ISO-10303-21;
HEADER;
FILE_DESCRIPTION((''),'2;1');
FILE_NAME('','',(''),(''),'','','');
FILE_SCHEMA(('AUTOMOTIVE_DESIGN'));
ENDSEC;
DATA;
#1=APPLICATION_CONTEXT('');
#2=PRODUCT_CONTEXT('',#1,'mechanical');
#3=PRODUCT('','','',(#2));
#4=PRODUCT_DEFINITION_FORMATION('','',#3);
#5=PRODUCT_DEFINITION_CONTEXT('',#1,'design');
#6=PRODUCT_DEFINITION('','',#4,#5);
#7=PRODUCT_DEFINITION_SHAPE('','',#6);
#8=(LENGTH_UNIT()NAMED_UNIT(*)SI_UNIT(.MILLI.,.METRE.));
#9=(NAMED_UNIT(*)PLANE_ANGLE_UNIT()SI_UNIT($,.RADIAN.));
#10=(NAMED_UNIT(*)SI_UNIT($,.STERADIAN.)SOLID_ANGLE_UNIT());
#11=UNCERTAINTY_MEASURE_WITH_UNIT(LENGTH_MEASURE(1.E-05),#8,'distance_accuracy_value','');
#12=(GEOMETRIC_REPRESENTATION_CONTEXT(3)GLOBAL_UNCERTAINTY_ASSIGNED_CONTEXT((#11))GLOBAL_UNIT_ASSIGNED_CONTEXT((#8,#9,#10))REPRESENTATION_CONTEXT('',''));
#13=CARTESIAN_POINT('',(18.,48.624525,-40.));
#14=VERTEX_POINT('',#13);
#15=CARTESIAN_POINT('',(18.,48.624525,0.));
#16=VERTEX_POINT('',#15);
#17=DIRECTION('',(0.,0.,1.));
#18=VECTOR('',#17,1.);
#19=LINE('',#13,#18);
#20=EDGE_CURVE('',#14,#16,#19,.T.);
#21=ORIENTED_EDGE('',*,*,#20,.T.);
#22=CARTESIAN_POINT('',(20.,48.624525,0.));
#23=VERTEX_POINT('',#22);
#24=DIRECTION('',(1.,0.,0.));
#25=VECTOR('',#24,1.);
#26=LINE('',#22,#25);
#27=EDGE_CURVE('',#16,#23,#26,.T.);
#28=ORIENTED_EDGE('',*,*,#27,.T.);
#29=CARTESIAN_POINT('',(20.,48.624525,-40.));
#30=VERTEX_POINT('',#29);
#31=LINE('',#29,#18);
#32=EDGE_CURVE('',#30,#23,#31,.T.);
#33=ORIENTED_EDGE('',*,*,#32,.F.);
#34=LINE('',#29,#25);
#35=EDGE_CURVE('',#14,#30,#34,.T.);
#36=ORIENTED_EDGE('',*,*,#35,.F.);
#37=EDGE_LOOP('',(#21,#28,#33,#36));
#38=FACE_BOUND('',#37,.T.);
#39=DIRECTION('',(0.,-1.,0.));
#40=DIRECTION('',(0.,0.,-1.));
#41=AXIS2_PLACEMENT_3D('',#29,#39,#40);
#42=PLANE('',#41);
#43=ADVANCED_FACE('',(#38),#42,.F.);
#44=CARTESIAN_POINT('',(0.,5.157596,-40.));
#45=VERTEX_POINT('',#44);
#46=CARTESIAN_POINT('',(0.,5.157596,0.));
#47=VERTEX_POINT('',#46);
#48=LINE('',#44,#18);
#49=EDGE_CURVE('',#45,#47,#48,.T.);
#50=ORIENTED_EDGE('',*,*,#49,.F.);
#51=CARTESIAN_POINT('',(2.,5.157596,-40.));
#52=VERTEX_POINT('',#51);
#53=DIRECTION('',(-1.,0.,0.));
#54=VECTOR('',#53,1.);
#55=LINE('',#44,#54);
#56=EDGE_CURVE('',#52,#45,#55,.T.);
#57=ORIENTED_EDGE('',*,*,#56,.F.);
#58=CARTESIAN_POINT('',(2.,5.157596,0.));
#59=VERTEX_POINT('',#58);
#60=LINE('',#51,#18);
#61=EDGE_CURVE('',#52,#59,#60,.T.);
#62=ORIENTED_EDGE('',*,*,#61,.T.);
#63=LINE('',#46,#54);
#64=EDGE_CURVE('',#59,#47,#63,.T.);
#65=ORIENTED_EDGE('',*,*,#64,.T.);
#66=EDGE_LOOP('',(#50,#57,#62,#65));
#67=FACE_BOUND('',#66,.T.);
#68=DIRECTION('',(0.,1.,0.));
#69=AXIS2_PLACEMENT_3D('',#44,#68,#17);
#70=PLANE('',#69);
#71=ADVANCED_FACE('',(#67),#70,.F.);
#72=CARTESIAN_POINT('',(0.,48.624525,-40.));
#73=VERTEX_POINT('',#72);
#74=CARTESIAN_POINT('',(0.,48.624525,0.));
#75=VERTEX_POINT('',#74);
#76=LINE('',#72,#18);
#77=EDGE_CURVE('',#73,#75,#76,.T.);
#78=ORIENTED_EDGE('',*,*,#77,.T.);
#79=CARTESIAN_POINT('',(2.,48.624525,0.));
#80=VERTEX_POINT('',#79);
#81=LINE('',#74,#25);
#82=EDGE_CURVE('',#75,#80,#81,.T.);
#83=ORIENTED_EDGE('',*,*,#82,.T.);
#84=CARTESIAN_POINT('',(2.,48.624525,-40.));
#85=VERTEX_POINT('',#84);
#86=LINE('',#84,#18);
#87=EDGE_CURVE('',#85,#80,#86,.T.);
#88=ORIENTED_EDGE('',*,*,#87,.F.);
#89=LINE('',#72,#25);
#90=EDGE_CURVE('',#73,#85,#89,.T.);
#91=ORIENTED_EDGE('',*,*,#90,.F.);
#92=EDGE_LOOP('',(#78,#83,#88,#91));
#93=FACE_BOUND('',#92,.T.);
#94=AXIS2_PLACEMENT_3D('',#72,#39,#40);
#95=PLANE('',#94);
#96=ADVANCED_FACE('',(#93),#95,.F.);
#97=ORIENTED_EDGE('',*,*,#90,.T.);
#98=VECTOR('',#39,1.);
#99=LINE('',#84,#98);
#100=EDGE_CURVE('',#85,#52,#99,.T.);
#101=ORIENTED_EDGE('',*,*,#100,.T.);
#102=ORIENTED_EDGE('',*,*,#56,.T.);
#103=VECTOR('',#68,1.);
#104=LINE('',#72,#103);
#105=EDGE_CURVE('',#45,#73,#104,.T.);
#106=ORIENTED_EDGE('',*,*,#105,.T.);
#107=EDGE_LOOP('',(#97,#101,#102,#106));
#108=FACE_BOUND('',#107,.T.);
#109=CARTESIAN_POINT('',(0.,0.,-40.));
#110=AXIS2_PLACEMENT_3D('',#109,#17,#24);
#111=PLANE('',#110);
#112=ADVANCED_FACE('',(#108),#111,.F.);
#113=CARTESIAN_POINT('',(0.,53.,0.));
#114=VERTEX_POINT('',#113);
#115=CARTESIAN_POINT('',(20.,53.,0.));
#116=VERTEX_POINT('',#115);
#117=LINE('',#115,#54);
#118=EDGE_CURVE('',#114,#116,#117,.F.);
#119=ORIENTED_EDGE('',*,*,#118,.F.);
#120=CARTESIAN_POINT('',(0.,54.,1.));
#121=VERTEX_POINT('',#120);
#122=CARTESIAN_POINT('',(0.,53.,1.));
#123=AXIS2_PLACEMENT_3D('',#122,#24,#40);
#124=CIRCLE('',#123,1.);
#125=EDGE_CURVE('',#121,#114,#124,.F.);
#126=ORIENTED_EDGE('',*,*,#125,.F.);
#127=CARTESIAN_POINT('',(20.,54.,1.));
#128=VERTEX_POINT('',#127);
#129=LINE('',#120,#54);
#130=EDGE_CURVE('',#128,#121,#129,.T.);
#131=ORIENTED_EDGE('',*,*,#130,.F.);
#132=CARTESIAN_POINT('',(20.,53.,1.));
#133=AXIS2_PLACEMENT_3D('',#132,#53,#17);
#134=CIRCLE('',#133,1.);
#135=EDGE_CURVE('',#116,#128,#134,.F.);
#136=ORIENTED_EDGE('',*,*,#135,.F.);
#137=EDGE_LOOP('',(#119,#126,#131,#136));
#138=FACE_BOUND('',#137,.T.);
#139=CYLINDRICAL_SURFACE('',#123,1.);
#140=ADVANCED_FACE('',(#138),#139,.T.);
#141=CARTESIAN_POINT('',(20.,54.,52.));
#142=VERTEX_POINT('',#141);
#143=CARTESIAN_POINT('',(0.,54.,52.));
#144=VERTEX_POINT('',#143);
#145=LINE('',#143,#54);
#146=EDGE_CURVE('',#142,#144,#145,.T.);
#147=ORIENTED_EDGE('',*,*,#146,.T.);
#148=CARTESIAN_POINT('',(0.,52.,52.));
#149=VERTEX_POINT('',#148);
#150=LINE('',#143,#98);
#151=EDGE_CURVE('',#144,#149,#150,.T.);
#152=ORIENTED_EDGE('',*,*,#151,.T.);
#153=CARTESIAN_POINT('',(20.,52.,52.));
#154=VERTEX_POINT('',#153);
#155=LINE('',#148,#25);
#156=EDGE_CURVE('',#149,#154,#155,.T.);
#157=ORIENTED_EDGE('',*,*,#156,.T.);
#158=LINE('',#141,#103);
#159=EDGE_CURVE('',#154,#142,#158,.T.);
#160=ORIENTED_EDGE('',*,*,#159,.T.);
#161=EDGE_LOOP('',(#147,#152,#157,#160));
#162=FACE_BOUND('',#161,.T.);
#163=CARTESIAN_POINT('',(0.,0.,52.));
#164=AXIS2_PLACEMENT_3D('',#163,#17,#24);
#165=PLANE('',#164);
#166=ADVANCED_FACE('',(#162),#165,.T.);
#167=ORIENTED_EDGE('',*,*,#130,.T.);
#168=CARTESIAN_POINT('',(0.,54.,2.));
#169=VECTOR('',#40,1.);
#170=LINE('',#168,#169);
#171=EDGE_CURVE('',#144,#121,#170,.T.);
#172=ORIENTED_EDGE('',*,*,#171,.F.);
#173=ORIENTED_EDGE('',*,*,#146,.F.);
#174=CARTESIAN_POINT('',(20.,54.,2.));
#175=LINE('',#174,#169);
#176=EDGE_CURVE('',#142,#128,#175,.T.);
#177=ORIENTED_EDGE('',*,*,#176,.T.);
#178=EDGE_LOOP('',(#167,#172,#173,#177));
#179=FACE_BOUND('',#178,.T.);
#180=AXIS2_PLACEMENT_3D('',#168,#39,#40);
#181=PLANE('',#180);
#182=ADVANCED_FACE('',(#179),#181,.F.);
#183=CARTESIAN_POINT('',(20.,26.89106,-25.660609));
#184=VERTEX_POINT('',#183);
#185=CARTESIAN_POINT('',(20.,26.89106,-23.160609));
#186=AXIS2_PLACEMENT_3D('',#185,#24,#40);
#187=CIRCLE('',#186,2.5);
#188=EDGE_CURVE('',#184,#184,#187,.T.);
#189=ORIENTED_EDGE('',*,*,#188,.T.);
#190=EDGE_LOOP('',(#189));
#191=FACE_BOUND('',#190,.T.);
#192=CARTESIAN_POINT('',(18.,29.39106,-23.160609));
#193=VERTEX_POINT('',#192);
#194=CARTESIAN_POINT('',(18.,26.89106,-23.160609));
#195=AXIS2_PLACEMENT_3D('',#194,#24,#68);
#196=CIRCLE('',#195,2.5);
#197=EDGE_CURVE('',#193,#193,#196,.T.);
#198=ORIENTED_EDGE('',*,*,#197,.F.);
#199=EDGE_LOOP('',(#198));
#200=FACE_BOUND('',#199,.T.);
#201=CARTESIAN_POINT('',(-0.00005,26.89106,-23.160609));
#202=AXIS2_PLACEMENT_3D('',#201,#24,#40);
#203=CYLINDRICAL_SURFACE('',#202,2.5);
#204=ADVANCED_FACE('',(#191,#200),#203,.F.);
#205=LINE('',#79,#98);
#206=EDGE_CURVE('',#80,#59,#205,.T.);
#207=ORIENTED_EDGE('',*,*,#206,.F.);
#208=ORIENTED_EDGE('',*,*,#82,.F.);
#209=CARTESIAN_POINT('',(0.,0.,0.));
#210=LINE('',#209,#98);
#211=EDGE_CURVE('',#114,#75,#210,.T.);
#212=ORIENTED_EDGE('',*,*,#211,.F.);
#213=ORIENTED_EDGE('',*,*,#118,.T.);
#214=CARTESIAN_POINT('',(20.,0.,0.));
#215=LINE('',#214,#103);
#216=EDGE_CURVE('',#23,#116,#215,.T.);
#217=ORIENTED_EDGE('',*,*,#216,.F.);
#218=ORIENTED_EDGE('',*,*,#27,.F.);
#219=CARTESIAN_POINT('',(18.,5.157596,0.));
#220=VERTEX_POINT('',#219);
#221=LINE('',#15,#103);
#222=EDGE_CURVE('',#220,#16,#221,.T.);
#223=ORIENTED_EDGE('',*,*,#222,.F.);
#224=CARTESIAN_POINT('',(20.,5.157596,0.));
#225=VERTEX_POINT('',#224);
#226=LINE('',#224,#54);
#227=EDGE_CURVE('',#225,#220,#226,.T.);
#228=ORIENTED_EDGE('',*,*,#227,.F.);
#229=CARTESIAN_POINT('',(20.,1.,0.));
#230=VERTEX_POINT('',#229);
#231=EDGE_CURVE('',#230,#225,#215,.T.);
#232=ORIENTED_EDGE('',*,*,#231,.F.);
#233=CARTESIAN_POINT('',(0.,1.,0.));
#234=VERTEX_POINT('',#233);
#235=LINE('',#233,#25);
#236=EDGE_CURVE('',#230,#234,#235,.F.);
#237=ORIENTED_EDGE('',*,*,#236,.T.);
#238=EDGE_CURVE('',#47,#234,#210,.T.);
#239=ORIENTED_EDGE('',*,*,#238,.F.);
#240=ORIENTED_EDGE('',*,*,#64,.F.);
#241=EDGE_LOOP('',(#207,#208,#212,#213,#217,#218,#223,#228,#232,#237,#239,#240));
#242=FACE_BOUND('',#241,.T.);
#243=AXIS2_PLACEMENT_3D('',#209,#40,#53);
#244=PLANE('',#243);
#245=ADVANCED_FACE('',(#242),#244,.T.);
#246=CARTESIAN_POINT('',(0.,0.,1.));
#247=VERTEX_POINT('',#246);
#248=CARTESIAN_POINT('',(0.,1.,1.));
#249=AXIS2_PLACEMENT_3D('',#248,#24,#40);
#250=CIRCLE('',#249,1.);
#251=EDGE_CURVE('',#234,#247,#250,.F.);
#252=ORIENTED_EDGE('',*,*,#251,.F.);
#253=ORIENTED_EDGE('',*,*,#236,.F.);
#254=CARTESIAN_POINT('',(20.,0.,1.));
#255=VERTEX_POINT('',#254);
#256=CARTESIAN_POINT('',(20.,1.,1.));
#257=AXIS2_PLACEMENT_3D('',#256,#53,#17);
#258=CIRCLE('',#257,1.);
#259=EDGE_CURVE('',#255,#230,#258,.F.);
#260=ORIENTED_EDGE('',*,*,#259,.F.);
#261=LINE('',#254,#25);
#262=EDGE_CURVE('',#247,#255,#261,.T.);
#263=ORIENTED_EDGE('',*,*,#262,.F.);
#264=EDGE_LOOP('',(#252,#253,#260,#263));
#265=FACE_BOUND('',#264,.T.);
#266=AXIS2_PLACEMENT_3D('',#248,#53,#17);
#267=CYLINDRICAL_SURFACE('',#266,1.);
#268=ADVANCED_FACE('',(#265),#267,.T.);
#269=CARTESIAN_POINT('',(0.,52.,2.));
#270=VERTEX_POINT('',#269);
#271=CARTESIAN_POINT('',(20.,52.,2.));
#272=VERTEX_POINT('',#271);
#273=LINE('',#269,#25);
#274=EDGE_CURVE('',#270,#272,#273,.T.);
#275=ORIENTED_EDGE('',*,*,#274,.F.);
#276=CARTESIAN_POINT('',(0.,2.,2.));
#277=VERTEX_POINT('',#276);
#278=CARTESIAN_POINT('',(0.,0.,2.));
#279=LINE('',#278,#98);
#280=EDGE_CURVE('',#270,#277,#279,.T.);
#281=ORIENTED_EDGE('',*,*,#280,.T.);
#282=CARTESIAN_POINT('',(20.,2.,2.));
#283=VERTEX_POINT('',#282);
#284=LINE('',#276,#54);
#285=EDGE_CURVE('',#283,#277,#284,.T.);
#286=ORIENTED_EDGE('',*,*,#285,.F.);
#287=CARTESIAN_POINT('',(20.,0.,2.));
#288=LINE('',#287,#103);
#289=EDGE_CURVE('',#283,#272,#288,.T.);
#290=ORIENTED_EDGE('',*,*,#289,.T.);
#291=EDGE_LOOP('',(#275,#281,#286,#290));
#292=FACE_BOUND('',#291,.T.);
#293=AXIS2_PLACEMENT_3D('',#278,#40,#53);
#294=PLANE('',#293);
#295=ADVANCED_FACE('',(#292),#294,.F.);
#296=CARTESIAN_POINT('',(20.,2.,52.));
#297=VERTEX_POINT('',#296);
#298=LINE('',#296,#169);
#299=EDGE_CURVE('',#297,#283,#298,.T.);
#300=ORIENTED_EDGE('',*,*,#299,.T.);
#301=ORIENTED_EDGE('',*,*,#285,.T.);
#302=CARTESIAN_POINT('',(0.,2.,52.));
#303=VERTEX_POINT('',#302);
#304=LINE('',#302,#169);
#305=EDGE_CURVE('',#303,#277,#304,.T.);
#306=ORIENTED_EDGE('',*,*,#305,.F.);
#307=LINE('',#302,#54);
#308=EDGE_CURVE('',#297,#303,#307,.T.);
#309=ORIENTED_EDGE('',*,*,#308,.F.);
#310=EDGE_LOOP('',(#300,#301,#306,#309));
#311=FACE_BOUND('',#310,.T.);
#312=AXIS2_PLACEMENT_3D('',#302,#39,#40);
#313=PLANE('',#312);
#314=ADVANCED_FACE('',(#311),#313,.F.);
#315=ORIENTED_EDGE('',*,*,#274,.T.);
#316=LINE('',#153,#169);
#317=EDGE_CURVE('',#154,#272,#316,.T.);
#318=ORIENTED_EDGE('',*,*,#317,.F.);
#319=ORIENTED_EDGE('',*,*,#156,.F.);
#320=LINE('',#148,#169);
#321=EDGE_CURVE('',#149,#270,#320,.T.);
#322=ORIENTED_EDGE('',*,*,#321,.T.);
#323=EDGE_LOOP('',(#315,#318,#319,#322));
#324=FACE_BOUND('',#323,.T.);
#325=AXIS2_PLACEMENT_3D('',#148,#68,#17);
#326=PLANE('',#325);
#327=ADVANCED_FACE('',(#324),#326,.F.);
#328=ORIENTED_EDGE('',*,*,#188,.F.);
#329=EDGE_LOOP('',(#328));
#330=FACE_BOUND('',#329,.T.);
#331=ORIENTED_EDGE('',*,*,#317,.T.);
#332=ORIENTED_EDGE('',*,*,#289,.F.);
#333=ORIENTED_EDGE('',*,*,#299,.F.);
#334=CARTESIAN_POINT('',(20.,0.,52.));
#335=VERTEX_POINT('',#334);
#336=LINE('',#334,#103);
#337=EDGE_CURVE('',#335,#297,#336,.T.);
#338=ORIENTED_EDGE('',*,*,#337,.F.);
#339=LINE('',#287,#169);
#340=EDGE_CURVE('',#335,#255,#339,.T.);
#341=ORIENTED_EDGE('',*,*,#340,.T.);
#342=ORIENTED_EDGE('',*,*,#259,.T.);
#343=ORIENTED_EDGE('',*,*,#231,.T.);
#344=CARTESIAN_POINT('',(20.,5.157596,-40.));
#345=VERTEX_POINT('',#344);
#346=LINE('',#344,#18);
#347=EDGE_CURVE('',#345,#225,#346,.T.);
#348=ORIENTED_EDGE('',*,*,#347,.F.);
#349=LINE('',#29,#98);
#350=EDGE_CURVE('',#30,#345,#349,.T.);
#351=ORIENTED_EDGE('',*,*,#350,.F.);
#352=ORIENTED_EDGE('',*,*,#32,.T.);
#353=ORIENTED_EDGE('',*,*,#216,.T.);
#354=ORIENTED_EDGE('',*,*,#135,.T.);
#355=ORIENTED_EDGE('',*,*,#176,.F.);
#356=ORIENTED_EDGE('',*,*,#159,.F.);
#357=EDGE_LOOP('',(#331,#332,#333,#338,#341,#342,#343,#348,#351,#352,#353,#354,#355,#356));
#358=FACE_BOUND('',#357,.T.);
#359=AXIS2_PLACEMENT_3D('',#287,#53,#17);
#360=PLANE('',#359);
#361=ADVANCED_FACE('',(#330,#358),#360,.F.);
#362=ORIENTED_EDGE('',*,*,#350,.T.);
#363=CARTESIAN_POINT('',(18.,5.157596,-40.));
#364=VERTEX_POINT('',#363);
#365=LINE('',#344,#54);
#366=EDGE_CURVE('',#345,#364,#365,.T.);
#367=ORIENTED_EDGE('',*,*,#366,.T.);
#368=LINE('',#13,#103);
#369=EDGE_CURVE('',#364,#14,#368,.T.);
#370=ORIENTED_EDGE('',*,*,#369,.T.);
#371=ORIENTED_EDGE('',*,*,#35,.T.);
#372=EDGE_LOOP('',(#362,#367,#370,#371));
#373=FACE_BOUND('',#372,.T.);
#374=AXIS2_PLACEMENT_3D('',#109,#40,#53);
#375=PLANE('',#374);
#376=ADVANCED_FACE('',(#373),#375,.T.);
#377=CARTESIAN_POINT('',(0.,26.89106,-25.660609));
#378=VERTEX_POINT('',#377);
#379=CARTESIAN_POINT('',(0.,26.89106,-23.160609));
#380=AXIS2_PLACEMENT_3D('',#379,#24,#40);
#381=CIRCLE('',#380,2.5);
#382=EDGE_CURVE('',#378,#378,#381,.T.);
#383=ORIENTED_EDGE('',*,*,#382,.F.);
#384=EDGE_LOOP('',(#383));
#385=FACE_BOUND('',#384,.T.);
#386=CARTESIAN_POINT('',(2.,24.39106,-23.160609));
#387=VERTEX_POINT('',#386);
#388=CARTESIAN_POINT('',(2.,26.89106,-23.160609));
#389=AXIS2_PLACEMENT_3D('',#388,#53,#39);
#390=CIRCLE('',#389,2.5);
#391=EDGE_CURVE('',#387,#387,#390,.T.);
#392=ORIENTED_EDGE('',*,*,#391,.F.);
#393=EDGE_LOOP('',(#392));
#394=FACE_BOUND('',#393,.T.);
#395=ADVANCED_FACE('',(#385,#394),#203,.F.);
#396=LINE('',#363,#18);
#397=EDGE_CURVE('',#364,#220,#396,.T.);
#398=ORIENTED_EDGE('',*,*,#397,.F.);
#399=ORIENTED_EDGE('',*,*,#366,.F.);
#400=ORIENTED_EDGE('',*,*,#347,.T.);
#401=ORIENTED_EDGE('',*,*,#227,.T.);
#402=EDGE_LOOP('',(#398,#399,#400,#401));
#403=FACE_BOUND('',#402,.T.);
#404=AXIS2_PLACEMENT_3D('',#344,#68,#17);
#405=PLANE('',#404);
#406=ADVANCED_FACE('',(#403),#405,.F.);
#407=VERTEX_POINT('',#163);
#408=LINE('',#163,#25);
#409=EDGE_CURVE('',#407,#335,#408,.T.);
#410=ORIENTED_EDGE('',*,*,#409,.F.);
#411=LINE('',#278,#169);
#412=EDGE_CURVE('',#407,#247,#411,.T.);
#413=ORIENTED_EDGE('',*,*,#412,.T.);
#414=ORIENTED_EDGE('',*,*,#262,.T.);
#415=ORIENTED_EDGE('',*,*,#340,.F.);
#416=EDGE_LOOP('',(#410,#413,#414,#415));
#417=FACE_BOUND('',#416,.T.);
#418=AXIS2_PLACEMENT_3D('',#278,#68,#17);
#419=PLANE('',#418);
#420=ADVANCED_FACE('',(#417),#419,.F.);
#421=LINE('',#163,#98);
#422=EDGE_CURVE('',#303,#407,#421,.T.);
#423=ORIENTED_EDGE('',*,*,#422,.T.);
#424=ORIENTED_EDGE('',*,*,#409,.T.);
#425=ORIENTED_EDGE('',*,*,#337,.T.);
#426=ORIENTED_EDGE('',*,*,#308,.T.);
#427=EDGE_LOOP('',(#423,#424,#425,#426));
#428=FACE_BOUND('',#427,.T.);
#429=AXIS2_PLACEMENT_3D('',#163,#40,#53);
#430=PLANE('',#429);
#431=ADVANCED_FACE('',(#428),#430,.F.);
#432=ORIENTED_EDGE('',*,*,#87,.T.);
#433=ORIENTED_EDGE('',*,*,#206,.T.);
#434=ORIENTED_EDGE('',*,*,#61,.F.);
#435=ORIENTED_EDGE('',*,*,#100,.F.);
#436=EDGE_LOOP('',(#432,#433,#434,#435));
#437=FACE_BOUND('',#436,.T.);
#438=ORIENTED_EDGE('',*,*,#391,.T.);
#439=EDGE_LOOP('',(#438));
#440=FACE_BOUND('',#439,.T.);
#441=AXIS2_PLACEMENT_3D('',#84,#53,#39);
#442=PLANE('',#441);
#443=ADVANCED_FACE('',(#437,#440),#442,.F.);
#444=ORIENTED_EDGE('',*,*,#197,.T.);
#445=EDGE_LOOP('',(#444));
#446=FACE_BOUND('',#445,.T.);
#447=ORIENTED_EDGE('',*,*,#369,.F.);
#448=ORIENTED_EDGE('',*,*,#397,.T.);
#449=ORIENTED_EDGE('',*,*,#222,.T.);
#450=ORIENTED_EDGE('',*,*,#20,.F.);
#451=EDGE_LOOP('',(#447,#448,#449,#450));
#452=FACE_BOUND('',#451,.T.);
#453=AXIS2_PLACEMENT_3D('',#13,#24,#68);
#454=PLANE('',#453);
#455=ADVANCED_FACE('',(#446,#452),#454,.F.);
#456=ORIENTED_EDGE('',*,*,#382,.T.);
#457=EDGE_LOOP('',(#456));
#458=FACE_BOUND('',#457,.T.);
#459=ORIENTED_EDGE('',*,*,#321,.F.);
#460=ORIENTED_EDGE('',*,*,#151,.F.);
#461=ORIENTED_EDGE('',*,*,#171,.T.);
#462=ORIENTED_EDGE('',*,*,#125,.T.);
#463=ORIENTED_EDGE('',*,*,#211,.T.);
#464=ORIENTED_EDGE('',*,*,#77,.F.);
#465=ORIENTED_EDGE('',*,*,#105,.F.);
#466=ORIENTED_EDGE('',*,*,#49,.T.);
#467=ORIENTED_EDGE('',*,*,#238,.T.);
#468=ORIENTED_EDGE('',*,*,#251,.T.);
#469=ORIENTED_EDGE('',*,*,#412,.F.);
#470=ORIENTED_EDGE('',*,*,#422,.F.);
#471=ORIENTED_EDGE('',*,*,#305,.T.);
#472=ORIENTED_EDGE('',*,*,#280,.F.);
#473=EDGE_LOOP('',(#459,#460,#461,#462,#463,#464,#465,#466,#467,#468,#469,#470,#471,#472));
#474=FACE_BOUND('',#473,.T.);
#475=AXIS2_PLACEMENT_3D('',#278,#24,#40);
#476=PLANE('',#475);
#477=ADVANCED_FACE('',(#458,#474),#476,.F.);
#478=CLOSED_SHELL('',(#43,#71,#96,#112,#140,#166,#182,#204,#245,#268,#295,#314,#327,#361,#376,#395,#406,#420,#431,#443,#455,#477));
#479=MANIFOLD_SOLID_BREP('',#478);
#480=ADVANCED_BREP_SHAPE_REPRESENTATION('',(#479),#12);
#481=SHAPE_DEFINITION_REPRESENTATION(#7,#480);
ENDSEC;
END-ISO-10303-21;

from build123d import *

# Parameters (mm, degrees)
SKETCH1_W           = 20
SKETCH1_H           = 54
BOSS_EXTRUDE1_DEPTH = 2
SKETCH2_W           = 20
SKETCH2_H           = 2
BOSS_EXTRUDE2_DEPTH = 50
FILLET1_R           = 1
SKETCH3_W           = 2
SKETCH3_H           = 43.466929313
BOSS_EXTRUDE3_DEPTH = 40
SKETCH4_R           = 2.5
CUT_EXTRUDE1_DEPTH  = 78.588658965


with BuildPart() as part:
    # Sketch1 → Boss-Extrude1 (new body)
    with BuildSketch(Plane.XY):
        with Locations((10, 27)):
            Rectangle(SKETCH1_W, SKETCH1_H)
    extrude(amount=BOSS_EXTRUDE1_DEPTH)

    # Sketch2 → Boss-Extrude2 (add)
    with BuildSketch(Plane.XY.offset(2)):
        with Locations((10, 53)):
            Rectangle(SKETCH2_W, SKETCH2_H)
        with Locations((10, 1)):
            Rectangle(SKETCH2_W, SKETCH2_H)
    extrude(amount=BOSS_EXTRUDE2_DEPTH)

    # Fillet1
    fillet1_edges = [part.edges().sort_by_distance(p)[0] for p in [
        (10, 54, 0),
        (10, 0, 0),
    ]]
    fillet(fillet1_edges, radius=FILLET1_R)

    # Sketch3 → Boss-Extrude3 (add)
    with BuildSketch(Plane(origin=(0, 0, 0), x_dir=(-1, 0, 0), z_dir=(0, 0, -1))):
        with Locations((-19, 26.891060328)):
            Rectangle(SKETCH3_W, SKETCH3_H)
        with Locations((-1, 26.891060328)):
            Rectangle(SKETCH3_W, SKETCH3_H)
    extrude(amount=BOSS_EXTRUDE3_DEPTH)

    # Sketch4 → Cut-Extrude1 (cut, through all)
    with BuildSketch(Plane(origin=(20, 0, 0), x_dir=(0, 0, -1), z_dir=(1, 0, 0))):
        with Locations((23.160609429, 26.891060328)):
            Circle(SKETCH4_R)
    extrude(amount=-CUT_EXTRUDE1_DEPTH, mode=Mode.SUBTRACT)


solid = part.part
